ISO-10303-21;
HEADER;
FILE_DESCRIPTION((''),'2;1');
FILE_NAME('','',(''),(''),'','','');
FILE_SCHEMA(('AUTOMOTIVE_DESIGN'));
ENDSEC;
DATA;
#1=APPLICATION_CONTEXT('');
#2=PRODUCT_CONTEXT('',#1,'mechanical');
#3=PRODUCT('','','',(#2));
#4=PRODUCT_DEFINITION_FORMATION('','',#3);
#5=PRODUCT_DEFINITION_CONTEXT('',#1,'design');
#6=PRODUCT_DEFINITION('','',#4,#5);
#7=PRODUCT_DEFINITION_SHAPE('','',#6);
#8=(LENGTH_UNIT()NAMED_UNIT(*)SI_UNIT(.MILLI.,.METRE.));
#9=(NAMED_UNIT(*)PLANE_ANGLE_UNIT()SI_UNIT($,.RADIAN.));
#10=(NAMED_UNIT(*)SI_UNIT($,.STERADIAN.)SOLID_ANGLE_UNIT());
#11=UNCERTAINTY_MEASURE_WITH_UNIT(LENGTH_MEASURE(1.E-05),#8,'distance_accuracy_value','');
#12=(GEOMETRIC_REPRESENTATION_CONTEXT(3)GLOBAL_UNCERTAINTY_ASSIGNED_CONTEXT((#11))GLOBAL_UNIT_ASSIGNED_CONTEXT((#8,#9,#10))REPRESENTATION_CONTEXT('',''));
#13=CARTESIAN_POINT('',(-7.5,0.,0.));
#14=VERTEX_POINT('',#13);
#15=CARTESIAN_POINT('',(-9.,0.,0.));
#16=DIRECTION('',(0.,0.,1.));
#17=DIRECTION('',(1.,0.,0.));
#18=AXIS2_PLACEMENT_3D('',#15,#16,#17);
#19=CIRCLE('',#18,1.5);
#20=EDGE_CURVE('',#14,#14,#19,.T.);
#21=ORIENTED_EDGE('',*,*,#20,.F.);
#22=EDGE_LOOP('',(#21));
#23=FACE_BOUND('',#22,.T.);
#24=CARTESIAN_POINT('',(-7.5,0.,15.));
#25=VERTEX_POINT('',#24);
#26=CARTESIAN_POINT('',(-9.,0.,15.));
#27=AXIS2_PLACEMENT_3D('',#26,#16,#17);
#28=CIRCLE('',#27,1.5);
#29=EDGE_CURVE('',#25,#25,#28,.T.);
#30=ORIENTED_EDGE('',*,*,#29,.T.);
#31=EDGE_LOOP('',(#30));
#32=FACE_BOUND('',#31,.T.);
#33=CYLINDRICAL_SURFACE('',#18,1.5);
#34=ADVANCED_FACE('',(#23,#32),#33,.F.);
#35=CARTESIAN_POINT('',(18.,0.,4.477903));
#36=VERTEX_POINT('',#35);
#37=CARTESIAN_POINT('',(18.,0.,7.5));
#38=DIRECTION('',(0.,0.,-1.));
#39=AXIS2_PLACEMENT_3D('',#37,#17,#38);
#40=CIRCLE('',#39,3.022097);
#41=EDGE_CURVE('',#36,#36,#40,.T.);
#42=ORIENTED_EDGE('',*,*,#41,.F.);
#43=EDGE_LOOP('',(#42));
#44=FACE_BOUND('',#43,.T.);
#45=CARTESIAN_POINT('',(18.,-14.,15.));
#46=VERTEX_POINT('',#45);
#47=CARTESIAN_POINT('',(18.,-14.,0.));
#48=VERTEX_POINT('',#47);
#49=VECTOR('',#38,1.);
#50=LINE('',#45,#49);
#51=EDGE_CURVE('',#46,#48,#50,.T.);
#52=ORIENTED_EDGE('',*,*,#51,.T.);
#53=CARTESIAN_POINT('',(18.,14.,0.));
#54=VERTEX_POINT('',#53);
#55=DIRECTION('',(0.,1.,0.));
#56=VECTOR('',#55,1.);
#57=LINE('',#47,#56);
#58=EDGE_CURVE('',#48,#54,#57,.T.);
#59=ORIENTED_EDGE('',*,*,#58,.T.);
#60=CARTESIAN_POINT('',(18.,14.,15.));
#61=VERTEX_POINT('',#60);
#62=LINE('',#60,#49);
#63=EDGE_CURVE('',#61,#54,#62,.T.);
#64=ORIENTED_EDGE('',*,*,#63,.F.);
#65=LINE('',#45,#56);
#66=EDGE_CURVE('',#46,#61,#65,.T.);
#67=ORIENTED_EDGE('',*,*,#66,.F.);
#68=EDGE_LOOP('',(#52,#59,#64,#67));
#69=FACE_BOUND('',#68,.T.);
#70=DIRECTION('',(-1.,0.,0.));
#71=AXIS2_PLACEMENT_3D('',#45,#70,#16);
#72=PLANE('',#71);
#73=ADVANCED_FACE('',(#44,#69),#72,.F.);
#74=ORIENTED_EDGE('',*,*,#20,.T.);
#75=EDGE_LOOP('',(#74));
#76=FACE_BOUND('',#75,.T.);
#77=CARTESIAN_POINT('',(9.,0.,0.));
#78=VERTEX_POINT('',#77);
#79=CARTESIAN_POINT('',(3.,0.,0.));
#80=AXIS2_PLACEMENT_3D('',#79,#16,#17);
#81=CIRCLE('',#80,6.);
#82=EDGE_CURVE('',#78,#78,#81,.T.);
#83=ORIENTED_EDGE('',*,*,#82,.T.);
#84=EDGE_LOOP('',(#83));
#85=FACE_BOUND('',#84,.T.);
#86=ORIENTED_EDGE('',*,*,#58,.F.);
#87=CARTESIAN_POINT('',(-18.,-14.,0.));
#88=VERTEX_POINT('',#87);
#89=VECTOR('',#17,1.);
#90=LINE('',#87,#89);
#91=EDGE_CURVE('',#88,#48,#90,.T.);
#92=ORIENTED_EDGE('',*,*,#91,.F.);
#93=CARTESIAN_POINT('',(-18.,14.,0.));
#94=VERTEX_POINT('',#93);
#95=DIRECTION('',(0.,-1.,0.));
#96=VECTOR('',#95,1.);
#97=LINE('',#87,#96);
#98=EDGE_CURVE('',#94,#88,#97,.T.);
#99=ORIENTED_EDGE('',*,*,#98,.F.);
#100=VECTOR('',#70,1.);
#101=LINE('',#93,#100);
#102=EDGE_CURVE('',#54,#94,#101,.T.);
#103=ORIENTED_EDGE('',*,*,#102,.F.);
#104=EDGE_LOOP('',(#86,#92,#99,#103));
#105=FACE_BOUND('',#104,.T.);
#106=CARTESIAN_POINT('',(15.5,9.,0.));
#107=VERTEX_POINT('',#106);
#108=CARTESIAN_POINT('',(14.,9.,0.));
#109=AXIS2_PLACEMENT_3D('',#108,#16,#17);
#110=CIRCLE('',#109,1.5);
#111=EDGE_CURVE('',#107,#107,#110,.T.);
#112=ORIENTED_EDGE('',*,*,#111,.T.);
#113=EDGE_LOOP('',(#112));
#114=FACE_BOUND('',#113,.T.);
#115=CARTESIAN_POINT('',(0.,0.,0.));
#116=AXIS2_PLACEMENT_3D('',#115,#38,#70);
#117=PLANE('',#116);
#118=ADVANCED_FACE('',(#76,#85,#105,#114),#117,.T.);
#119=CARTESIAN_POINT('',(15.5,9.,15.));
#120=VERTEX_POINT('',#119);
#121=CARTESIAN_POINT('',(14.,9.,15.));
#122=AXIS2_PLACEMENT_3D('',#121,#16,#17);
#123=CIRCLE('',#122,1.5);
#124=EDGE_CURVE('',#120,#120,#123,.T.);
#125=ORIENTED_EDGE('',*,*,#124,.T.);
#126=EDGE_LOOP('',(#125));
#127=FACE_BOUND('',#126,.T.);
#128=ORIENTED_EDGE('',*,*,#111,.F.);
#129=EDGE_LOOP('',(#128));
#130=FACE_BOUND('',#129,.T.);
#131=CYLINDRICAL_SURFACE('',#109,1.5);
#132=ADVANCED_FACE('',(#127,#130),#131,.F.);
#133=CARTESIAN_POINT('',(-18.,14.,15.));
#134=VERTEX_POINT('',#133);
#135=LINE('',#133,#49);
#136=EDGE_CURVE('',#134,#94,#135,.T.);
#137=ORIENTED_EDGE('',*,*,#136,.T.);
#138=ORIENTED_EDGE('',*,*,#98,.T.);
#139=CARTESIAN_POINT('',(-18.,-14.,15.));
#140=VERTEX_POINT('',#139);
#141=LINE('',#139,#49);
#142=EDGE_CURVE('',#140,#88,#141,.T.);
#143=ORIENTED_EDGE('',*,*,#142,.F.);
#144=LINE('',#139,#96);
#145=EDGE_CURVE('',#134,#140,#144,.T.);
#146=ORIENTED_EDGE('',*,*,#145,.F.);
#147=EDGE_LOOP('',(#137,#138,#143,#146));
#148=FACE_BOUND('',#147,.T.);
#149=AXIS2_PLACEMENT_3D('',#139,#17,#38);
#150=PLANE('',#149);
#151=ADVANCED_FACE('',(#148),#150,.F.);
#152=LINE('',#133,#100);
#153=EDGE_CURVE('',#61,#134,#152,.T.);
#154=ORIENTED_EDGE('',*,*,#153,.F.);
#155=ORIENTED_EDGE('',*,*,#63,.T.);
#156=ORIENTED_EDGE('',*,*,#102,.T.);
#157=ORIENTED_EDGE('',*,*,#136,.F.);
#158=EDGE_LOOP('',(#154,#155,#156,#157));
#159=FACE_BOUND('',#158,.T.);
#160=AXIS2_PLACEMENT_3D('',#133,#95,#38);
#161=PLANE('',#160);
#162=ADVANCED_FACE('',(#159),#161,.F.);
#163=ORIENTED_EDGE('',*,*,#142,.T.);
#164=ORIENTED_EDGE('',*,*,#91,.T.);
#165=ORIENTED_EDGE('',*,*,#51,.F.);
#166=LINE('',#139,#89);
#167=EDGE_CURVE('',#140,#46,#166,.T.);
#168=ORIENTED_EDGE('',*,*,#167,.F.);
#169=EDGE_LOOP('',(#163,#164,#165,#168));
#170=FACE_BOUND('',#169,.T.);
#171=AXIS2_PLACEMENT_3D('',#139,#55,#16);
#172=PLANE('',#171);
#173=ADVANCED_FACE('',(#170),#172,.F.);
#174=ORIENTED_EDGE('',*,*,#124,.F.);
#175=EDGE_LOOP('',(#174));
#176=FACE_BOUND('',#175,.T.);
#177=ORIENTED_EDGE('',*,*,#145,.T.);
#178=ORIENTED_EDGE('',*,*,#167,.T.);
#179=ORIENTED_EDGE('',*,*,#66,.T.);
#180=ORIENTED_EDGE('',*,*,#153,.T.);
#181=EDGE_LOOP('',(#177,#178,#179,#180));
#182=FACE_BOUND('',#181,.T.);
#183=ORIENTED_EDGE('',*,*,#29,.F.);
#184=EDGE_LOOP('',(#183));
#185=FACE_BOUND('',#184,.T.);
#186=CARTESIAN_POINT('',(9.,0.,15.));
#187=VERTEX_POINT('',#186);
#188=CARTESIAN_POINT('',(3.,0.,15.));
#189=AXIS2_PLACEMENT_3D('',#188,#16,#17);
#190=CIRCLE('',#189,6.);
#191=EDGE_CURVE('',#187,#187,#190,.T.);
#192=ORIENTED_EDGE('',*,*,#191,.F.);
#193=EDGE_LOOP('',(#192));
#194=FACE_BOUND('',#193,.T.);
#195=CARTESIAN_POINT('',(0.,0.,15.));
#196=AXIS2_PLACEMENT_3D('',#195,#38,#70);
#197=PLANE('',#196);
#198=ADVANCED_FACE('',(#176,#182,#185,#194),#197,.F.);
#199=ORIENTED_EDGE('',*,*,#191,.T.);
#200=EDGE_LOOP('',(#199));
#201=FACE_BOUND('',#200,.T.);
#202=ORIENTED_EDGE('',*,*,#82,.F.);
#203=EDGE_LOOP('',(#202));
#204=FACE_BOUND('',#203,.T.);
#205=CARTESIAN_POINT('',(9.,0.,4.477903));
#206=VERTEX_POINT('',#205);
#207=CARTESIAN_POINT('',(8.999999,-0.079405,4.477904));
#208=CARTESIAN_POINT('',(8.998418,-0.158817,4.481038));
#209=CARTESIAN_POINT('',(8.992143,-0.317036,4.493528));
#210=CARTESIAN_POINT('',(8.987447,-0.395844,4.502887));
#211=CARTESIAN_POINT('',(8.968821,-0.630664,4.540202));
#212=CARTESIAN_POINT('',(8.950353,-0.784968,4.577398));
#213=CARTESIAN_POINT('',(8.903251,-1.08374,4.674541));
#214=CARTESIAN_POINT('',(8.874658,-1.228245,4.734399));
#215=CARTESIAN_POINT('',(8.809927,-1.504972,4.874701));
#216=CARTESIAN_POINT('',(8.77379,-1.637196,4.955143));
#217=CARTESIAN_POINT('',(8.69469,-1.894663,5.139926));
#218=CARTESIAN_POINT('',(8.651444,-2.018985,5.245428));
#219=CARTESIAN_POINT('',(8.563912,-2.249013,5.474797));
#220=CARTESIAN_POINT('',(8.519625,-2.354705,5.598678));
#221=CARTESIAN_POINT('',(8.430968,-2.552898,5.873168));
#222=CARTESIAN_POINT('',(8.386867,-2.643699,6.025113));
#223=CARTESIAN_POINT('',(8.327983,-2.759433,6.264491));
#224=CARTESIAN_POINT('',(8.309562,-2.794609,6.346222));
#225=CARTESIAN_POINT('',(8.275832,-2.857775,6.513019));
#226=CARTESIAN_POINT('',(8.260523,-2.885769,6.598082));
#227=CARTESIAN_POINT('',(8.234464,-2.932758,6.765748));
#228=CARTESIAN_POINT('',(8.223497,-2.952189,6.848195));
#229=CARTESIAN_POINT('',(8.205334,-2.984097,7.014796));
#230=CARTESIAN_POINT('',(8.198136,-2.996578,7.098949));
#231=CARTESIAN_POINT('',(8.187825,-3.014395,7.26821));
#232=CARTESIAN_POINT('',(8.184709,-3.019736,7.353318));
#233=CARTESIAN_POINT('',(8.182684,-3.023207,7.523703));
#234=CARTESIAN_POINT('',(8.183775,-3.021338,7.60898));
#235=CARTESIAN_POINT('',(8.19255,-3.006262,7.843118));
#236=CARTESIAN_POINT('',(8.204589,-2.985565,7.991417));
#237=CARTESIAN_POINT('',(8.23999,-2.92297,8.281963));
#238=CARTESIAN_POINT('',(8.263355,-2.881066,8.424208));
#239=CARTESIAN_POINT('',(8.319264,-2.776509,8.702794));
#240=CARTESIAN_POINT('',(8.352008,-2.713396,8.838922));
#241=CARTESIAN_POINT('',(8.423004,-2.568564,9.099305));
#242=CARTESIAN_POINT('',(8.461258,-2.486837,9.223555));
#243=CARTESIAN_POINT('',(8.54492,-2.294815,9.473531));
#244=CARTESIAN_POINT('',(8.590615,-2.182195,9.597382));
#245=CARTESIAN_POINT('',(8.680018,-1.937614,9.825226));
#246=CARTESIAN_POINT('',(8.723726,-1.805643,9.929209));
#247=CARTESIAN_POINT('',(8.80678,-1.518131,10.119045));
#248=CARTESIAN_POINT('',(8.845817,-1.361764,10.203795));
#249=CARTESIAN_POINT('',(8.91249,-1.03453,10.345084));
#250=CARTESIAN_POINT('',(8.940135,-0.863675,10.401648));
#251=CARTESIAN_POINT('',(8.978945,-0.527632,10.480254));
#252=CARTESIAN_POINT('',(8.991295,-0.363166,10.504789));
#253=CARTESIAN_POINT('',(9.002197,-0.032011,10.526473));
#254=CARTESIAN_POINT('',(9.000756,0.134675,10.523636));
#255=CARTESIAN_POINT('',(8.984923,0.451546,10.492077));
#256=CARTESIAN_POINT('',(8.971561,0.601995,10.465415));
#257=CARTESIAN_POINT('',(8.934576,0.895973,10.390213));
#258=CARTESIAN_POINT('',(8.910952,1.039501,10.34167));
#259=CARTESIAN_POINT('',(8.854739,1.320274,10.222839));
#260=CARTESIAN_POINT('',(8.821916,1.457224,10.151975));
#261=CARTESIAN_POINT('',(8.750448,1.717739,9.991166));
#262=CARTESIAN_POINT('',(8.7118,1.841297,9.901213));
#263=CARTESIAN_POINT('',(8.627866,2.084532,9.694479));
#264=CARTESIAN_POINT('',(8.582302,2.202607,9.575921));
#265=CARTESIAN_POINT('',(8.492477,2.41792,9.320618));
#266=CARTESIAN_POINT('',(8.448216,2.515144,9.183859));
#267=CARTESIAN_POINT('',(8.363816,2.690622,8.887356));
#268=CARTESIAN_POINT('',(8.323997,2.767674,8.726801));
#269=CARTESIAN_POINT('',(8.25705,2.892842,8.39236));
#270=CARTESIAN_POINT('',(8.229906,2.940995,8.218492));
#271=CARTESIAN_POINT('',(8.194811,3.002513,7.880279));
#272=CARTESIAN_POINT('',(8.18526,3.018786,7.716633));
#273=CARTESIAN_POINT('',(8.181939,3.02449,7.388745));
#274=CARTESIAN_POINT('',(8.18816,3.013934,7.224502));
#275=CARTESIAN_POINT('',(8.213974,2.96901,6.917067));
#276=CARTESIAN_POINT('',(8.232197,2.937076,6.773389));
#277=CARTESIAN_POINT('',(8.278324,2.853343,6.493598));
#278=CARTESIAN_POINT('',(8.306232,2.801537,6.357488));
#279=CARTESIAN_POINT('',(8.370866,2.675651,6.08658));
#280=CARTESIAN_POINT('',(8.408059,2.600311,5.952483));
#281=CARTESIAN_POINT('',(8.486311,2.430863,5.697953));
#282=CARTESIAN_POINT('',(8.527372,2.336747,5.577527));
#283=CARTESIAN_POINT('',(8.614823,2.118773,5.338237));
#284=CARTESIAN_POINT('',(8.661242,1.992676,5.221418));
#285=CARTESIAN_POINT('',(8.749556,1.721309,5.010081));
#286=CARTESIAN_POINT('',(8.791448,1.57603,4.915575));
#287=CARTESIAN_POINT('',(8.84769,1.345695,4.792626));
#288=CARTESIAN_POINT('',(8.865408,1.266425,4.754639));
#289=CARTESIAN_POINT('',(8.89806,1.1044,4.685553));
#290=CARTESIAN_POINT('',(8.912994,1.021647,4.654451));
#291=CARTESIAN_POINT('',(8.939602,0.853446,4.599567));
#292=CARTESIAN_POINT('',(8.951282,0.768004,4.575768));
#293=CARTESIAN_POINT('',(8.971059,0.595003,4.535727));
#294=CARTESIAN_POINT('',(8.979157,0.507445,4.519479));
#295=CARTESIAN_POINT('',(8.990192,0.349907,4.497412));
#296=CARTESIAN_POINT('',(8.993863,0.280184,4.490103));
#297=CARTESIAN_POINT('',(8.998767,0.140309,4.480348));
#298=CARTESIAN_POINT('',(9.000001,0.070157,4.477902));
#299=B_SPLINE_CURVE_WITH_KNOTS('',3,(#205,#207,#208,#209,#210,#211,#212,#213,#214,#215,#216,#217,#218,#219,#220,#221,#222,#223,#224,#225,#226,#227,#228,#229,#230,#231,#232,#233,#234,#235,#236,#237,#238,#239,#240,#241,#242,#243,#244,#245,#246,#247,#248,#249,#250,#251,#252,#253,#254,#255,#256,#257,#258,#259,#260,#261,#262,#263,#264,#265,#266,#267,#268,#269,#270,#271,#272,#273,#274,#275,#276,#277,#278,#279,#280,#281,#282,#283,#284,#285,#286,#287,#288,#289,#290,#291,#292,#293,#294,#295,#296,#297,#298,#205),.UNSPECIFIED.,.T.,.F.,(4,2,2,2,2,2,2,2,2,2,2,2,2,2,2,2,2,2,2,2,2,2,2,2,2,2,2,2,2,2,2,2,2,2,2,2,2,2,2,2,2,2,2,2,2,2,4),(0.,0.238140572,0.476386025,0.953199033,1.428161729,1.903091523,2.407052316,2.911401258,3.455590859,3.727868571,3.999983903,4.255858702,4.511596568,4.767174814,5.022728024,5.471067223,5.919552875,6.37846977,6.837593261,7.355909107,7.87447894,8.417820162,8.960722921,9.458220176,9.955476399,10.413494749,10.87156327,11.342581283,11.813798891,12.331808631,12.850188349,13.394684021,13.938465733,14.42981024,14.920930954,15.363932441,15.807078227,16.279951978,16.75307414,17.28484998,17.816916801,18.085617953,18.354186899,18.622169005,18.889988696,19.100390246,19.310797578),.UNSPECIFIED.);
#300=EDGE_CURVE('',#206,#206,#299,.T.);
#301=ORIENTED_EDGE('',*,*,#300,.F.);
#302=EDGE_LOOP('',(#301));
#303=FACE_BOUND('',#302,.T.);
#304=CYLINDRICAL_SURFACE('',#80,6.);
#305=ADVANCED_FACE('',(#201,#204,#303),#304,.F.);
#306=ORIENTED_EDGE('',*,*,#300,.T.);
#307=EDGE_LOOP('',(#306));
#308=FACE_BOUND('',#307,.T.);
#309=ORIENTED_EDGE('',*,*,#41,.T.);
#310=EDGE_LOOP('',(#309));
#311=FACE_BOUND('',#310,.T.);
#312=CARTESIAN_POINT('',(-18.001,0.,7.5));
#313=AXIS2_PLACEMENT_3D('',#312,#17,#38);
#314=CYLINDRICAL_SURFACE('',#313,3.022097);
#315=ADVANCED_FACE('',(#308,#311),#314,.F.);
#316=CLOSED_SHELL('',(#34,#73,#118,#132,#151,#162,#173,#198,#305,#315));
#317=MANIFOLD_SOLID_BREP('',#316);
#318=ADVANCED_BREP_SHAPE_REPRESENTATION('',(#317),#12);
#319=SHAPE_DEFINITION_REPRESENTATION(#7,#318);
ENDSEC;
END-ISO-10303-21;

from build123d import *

# Parameters (mm, degrees)
IZIM1_W                     = 36
IZIM1_H                     = 28
Y_KSEKLIK_EKSTR_ZYON1_DEPTH = 15
IZIM3_R                     = 6
IZIM3_R_2                   = 1.5
KES_EKSTR_ZYON1_DEPTH       = 16
KES_EKSTR_ZYON2_REACH       = 38
IZIM4_R                     = 3.022097143


with BuildPart() as part:
    # Çizim1 → Yükseklik-Ekstrüzyon1 (new body)
    with BuildSketch(Plane.XY):
        Rectangle(IZIM1_W, IZIM1_H)
    extrude(amount=Y_KSEKLIK_EKSTR_ZYON1_DEPTH)

    # Çizim3 → Kes-Ekstrüzyon1 (cut, through all)
    with BuildSketch(Plane.XY.offset(15)):
        with Locations((3, 0)):
            Circle(IZIM3_R)
        with Locations((-9, 0)):
            Circle(IZIM3_R_2)
        with Locations((14, 9)):
            Circle(IZIM3_R_2)
    extrude(amount=-KES_EKSTR_ZYON1_DEPTH, mode=Mode.SUBTRACT)

    # Çizim4 → Kes-Ekstrüzyon2 (cut, up to next)
    with BuildSketch(Plane(origin=(18, 0, 0), x_dir=(0, 0, -1), z_dir=(1, 0, 0)), mode=Mode.PRIVATE) as kes_ekstr_zyon2_sk1:
        with Locations((-7.5, 0)):
            Circle(IZIM4_R)
    kes_ekstr_zyon2_tool1 = extrude(kes_ekstr_zyon2_sk1.sketch, amount=-KES_EKSTR_ZYON2_REACH, mode=Mode.PRIVATE) & part.part
    add(kes_ekstr_zyon2_tool1.solids().sort_by_distance((18, 0, 7.5))[0], mode=Mode.SUBTRACT)


solid = part.part
